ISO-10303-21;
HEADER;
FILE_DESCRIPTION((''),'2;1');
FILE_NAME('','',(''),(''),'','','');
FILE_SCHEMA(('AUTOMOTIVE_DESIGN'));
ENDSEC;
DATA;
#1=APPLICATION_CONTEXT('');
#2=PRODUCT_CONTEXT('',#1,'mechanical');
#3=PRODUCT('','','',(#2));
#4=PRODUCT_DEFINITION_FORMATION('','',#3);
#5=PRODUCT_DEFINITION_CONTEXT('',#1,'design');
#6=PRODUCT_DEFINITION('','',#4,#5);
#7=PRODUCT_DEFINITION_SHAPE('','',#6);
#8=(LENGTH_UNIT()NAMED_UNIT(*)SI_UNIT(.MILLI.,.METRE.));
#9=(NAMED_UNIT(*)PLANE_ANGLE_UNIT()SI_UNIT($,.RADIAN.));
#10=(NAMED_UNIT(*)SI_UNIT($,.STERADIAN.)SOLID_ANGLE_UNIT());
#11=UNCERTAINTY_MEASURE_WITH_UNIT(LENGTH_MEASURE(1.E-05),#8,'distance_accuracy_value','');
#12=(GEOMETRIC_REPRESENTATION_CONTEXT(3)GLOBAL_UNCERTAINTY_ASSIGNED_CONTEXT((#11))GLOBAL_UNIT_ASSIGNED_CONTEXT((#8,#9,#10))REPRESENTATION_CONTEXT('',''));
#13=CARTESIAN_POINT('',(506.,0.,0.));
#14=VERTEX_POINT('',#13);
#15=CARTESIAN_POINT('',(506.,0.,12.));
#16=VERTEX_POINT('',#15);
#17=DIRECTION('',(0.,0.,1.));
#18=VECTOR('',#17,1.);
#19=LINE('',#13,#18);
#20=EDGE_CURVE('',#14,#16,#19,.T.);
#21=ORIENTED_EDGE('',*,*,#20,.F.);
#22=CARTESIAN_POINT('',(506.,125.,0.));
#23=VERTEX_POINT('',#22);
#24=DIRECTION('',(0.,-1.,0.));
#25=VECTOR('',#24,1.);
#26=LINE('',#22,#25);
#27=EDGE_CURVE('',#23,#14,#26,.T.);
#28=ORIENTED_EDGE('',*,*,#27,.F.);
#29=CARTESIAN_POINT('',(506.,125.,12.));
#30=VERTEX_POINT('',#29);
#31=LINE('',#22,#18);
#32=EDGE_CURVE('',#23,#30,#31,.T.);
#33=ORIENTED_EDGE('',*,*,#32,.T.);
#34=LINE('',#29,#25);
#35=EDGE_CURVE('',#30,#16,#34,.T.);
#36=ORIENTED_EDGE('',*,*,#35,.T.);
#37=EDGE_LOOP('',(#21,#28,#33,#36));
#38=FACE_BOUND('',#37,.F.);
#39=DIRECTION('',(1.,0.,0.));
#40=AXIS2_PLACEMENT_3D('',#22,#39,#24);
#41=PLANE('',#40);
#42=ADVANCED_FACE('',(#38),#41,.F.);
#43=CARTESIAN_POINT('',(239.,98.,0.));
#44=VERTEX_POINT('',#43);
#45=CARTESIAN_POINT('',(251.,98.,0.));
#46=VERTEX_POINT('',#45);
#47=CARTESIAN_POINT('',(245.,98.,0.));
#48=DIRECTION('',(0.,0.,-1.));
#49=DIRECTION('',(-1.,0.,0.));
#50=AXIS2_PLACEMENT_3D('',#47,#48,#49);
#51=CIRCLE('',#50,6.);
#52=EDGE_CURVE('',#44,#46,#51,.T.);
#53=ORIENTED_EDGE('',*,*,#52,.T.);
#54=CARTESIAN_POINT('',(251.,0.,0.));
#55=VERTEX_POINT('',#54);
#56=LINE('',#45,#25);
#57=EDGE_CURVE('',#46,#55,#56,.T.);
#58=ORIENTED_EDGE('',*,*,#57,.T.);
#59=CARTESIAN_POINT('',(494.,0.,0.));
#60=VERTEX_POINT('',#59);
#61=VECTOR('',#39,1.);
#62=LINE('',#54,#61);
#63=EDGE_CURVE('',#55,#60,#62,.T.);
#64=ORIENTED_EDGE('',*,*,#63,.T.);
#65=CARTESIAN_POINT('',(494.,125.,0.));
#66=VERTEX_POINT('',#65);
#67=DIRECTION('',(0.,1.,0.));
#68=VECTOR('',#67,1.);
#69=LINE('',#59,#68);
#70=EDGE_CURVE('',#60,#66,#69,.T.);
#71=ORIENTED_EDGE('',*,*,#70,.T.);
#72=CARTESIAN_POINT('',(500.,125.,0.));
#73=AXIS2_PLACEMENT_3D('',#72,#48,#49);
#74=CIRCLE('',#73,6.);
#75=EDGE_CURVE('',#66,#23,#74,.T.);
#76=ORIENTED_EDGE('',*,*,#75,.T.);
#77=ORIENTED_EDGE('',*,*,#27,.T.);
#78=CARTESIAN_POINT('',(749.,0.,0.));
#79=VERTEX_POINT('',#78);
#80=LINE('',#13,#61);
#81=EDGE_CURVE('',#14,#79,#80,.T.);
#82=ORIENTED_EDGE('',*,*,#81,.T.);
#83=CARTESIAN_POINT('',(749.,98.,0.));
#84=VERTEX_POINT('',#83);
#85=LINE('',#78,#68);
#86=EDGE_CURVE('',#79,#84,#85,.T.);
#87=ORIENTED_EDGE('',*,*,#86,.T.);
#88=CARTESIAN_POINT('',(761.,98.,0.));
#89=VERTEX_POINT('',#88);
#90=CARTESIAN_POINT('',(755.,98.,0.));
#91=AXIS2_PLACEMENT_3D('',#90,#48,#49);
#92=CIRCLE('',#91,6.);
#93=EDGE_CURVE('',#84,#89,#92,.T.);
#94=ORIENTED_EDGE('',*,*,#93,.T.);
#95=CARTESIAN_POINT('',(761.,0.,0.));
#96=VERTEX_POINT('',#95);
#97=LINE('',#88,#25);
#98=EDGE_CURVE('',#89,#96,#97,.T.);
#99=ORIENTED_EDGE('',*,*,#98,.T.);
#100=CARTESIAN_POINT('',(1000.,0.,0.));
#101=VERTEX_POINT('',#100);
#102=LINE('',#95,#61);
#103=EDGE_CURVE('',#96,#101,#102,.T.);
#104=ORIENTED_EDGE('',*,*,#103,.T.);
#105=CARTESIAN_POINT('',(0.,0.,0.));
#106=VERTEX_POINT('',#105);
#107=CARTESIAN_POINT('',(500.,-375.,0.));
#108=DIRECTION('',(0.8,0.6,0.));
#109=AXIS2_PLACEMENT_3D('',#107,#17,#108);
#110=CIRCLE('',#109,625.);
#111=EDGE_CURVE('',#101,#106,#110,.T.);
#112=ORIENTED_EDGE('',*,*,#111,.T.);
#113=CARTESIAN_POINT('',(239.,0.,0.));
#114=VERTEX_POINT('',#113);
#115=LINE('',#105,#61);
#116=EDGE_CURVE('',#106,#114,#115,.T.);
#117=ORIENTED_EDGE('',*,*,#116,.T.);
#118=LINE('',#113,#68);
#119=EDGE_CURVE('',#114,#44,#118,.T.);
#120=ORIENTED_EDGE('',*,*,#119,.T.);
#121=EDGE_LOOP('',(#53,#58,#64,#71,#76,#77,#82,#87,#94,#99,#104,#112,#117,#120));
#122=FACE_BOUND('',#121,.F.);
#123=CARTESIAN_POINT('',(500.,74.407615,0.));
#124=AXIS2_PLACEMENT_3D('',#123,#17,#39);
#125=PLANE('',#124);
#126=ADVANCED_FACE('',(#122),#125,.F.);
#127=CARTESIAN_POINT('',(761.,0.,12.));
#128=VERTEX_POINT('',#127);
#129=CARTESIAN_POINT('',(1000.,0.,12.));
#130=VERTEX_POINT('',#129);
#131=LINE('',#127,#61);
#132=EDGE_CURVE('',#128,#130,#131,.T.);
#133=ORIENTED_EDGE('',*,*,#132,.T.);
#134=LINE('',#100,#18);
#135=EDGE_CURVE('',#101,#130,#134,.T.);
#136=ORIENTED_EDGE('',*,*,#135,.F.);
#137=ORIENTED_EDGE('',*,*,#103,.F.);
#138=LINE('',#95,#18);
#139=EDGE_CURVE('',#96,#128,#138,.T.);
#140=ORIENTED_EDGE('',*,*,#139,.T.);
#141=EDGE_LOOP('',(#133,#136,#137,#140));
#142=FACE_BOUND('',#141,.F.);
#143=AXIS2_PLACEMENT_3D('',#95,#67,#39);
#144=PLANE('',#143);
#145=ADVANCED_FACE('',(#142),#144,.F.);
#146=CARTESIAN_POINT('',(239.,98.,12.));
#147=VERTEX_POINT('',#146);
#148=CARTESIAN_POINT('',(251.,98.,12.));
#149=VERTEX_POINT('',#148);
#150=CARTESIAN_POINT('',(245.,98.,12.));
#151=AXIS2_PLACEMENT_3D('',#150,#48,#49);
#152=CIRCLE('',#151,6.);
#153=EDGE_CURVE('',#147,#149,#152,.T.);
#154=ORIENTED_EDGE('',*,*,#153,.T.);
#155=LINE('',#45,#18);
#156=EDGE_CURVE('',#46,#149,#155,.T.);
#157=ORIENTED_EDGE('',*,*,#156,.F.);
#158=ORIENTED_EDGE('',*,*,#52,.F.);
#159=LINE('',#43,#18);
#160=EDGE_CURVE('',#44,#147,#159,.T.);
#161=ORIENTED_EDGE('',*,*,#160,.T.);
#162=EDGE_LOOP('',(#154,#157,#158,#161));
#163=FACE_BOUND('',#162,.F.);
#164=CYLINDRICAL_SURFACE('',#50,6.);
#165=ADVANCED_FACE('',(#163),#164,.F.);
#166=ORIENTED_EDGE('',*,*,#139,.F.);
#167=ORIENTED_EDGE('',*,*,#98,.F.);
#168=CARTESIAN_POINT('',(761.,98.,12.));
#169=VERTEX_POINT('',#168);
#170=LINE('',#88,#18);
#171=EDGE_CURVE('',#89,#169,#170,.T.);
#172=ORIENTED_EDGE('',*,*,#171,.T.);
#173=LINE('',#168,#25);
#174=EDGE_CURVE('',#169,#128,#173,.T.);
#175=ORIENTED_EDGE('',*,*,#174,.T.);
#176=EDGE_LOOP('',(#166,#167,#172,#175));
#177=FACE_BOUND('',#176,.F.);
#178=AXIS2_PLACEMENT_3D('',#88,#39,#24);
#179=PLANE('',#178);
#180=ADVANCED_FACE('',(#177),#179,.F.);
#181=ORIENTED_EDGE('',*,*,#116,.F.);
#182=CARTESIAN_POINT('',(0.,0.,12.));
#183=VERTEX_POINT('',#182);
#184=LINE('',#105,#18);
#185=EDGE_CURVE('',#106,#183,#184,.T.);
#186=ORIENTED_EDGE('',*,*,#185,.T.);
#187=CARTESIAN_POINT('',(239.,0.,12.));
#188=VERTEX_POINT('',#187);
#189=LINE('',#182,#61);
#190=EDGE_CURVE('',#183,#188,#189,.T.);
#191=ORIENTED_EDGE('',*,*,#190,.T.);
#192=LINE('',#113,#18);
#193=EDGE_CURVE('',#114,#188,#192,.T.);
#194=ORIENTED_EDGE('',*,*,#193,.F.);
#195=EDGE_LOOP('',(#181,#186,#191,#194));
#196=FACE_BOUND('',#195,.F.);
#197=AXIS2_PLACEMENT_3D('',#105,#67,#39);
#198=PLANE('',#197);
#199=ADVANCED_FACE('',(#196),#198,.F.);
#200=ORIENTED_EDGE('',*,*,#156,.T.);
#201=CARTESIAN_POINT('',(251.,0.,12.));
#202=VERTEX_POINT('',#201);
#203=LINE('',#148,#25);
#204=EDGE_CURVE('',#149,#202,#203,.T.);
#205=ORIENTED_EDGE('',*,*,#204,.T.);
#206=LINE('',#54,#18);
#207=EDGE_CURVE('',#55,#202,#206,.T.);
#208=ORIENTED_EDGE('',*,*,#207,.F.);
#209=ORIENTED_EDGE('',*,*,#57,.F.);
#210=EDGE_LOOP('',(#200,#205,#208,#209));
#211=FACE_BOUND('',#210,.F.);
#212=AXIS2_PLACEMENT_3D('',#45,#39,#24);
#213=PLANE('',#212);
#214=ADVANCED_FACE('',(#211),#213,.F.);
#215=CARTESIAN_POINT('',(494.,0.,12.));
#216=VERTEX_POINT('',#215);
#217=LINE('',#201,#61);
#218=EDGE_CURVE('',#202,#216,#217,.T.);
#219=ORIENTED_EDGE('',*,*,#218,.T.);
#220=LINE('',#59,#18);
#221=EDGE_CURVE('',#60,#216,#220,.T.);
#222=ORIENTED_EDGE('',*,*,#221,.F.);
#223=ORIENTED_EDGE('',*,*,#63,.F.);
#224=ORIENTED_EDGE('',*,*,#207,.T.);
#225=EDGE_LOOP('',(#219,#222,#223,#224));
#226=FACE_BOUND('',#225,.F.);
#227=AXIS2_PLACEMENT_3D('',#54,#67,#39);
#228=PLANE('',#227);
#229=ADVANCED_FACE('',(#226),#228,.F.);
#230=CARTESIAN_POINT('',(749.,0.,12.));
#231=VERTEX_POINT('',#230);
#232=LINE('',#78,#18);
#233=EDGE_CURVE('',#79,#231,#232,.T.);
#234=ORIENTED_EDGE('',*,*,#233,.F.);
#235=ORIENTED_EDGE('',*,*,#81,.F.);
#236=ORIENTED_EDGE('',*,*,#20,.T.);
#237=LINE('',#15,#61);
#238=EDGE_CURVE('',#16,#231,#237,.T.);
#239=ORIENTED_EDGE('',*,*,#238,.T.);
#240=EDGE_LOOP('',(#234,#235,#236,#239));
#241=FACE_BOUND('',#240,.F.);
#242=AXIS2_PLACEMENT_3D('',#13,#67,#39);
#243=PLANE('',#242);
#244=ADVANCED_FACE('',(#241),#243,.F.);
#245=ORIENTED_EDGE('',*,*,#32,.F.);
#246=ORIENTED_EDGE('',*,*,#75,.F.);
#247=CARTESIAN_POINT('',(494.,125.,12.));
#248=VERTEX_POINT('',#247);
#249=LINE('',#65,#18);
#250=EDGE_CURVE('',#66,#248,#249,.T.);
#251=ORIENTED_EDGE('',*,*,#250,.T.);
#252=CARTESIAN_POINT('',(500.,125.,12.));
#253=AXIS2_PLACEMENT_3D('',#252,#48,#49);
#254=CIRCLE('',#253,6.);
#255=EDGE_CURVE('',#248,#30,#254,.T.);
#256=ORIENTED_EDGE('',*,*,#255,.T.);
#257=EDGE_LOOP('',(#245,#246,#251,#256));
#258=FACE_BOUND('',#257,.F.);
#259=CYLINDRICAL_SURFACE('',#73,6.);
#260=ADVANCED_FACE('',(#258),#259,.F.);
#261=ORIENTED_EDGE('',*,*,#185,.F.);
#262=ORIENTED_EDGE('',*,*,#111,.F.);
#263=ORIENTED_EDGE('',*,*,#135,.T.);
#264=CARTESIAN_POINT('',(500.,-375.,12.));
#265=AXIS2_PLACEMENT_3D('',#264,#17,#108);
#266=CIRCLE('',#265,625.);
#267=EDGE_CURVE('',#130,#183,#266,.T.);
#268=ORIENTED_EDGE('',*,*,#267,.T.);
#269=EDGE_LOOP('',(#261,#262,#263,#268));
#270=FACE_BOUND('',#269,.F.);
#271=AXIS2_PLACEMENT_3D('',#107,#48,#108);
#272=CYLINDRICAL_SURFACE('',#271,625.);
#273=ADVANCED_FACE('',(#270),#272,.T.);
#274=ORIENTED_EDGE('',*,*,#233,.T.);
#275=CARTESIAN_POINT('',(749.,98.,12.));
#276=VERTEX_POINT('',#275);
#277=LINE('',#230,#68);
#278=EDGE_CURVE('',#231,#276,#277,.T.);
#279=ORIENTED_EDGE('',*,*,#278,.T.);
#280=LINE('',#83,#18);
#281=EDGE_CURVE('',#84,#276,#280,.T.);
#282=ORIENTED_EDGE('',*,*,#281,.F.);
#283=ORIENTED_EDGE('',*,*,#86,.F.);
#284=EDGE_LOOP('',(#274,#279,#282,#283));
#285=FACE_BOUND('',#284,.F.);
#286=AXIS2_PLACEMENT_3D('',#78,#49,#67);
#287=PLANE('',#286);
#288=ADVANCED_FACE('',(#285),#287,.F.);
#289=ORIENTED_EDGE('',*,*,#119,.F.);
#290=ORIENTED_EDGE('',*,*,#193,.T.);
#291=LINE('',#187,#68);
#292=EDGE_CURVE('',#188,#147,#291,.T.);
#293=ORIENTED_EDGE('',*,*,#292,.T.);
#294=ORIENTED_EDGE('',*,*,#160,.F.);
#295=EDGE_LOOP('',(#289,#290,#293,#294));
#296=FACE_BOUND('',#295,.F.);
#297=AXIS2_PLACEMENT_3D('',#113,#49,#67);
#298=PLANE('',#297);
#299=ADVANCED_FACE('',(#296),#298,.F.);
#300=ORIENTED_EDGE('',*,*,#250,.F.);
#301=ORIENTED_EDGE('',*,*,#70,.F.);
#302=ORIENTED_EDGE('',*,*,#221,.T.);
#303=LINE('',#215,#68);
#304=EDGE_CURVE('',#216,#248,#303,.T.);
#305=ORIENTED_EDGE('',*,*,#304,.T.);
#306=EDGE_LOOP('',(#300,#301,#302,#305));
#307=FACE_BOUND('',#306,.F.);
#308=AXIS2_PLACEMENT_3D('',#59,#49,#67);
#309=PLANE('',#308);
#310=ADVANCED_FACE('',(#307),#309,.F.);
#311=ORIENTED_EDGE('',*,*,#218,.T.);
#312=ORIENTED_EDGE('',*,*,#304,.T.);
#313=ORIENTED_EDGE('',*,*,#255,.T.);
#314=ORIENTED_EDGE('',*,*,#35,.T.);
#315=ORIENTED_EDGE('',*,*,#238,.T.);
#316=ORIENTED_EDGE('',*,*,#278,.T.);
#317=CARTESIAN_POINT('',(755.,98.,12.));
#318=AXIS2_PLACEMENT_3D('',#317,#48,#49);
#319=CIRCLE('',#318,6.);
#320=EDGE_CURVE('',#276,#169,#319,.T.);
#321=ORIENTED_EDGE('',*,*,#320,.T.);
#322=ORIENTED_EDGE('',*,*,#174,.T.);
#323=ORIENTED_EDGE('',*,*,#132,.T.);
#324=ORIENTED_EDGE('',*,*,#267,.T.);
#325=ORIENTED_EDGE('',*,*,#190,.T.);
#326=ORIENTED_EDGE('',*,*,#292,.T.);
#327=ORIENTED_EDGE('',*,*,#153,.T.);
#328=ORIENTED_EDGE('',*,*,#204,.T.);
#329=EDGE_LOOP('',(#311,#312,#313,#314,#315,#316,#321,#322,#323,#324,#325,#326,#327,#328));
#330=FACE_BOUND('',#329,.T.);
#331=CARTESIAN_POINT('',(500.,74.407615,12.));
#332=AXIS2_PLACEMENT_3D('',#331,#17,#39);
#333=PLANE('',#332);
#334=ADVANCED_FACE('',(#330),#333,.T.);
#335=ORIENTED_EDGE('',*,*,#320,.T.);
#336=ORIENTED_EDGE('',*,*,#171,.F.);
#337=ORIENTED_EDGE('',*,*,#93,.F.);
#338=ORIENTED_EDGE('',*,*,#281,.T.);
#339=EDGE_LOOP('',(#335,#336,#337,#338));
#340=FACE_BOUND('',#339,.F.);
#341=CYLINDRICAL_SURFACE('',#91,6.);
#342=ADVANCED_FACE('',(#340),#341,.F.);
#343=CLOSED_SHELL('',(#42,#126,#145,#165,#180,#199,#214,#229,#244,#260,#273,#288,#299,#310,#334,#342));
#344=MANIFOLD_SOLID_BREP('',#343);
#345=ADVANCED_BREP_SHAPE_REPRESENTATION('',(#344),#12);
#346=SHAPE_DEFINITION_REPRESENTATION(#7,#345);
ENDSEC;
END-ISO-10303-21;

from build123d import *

# Parameters (mm, degrees)
F1_DEPTH = 12


with BuildPart() as f1:
    # F0 (on Top) → F1 (new body)
    with BuildSketch(Plane.XY):
        with BuildLine():
            ThreePointArc((1000, 0), (500, 250), (0, 0))
            Line((0, 0), (239, 0))
            Line((239, 0), (239, 98))
            ThreePointArc((239, 98), (245, 104), (251, 98))
            Line((251, 98), (251, 0))
            Line((251, 0), (494, 0))
            Line((494, 0), (494, 125))
            ThreePointArc((494, 125), (500, 131), (506, 125))
            Line((506, 125), (506, 0))
            Line((506, 0), (749, 0))
            Line((749, 0), (749, 98))
            ThreePointArc((749, 98), (755, 104), (761, 98))
            Line((761, 98), (761, 0))
            Line((761, 0), (1000, 0))
        make_face()
    extrude(amount=F1_DEPTH)


solid = f1.part
